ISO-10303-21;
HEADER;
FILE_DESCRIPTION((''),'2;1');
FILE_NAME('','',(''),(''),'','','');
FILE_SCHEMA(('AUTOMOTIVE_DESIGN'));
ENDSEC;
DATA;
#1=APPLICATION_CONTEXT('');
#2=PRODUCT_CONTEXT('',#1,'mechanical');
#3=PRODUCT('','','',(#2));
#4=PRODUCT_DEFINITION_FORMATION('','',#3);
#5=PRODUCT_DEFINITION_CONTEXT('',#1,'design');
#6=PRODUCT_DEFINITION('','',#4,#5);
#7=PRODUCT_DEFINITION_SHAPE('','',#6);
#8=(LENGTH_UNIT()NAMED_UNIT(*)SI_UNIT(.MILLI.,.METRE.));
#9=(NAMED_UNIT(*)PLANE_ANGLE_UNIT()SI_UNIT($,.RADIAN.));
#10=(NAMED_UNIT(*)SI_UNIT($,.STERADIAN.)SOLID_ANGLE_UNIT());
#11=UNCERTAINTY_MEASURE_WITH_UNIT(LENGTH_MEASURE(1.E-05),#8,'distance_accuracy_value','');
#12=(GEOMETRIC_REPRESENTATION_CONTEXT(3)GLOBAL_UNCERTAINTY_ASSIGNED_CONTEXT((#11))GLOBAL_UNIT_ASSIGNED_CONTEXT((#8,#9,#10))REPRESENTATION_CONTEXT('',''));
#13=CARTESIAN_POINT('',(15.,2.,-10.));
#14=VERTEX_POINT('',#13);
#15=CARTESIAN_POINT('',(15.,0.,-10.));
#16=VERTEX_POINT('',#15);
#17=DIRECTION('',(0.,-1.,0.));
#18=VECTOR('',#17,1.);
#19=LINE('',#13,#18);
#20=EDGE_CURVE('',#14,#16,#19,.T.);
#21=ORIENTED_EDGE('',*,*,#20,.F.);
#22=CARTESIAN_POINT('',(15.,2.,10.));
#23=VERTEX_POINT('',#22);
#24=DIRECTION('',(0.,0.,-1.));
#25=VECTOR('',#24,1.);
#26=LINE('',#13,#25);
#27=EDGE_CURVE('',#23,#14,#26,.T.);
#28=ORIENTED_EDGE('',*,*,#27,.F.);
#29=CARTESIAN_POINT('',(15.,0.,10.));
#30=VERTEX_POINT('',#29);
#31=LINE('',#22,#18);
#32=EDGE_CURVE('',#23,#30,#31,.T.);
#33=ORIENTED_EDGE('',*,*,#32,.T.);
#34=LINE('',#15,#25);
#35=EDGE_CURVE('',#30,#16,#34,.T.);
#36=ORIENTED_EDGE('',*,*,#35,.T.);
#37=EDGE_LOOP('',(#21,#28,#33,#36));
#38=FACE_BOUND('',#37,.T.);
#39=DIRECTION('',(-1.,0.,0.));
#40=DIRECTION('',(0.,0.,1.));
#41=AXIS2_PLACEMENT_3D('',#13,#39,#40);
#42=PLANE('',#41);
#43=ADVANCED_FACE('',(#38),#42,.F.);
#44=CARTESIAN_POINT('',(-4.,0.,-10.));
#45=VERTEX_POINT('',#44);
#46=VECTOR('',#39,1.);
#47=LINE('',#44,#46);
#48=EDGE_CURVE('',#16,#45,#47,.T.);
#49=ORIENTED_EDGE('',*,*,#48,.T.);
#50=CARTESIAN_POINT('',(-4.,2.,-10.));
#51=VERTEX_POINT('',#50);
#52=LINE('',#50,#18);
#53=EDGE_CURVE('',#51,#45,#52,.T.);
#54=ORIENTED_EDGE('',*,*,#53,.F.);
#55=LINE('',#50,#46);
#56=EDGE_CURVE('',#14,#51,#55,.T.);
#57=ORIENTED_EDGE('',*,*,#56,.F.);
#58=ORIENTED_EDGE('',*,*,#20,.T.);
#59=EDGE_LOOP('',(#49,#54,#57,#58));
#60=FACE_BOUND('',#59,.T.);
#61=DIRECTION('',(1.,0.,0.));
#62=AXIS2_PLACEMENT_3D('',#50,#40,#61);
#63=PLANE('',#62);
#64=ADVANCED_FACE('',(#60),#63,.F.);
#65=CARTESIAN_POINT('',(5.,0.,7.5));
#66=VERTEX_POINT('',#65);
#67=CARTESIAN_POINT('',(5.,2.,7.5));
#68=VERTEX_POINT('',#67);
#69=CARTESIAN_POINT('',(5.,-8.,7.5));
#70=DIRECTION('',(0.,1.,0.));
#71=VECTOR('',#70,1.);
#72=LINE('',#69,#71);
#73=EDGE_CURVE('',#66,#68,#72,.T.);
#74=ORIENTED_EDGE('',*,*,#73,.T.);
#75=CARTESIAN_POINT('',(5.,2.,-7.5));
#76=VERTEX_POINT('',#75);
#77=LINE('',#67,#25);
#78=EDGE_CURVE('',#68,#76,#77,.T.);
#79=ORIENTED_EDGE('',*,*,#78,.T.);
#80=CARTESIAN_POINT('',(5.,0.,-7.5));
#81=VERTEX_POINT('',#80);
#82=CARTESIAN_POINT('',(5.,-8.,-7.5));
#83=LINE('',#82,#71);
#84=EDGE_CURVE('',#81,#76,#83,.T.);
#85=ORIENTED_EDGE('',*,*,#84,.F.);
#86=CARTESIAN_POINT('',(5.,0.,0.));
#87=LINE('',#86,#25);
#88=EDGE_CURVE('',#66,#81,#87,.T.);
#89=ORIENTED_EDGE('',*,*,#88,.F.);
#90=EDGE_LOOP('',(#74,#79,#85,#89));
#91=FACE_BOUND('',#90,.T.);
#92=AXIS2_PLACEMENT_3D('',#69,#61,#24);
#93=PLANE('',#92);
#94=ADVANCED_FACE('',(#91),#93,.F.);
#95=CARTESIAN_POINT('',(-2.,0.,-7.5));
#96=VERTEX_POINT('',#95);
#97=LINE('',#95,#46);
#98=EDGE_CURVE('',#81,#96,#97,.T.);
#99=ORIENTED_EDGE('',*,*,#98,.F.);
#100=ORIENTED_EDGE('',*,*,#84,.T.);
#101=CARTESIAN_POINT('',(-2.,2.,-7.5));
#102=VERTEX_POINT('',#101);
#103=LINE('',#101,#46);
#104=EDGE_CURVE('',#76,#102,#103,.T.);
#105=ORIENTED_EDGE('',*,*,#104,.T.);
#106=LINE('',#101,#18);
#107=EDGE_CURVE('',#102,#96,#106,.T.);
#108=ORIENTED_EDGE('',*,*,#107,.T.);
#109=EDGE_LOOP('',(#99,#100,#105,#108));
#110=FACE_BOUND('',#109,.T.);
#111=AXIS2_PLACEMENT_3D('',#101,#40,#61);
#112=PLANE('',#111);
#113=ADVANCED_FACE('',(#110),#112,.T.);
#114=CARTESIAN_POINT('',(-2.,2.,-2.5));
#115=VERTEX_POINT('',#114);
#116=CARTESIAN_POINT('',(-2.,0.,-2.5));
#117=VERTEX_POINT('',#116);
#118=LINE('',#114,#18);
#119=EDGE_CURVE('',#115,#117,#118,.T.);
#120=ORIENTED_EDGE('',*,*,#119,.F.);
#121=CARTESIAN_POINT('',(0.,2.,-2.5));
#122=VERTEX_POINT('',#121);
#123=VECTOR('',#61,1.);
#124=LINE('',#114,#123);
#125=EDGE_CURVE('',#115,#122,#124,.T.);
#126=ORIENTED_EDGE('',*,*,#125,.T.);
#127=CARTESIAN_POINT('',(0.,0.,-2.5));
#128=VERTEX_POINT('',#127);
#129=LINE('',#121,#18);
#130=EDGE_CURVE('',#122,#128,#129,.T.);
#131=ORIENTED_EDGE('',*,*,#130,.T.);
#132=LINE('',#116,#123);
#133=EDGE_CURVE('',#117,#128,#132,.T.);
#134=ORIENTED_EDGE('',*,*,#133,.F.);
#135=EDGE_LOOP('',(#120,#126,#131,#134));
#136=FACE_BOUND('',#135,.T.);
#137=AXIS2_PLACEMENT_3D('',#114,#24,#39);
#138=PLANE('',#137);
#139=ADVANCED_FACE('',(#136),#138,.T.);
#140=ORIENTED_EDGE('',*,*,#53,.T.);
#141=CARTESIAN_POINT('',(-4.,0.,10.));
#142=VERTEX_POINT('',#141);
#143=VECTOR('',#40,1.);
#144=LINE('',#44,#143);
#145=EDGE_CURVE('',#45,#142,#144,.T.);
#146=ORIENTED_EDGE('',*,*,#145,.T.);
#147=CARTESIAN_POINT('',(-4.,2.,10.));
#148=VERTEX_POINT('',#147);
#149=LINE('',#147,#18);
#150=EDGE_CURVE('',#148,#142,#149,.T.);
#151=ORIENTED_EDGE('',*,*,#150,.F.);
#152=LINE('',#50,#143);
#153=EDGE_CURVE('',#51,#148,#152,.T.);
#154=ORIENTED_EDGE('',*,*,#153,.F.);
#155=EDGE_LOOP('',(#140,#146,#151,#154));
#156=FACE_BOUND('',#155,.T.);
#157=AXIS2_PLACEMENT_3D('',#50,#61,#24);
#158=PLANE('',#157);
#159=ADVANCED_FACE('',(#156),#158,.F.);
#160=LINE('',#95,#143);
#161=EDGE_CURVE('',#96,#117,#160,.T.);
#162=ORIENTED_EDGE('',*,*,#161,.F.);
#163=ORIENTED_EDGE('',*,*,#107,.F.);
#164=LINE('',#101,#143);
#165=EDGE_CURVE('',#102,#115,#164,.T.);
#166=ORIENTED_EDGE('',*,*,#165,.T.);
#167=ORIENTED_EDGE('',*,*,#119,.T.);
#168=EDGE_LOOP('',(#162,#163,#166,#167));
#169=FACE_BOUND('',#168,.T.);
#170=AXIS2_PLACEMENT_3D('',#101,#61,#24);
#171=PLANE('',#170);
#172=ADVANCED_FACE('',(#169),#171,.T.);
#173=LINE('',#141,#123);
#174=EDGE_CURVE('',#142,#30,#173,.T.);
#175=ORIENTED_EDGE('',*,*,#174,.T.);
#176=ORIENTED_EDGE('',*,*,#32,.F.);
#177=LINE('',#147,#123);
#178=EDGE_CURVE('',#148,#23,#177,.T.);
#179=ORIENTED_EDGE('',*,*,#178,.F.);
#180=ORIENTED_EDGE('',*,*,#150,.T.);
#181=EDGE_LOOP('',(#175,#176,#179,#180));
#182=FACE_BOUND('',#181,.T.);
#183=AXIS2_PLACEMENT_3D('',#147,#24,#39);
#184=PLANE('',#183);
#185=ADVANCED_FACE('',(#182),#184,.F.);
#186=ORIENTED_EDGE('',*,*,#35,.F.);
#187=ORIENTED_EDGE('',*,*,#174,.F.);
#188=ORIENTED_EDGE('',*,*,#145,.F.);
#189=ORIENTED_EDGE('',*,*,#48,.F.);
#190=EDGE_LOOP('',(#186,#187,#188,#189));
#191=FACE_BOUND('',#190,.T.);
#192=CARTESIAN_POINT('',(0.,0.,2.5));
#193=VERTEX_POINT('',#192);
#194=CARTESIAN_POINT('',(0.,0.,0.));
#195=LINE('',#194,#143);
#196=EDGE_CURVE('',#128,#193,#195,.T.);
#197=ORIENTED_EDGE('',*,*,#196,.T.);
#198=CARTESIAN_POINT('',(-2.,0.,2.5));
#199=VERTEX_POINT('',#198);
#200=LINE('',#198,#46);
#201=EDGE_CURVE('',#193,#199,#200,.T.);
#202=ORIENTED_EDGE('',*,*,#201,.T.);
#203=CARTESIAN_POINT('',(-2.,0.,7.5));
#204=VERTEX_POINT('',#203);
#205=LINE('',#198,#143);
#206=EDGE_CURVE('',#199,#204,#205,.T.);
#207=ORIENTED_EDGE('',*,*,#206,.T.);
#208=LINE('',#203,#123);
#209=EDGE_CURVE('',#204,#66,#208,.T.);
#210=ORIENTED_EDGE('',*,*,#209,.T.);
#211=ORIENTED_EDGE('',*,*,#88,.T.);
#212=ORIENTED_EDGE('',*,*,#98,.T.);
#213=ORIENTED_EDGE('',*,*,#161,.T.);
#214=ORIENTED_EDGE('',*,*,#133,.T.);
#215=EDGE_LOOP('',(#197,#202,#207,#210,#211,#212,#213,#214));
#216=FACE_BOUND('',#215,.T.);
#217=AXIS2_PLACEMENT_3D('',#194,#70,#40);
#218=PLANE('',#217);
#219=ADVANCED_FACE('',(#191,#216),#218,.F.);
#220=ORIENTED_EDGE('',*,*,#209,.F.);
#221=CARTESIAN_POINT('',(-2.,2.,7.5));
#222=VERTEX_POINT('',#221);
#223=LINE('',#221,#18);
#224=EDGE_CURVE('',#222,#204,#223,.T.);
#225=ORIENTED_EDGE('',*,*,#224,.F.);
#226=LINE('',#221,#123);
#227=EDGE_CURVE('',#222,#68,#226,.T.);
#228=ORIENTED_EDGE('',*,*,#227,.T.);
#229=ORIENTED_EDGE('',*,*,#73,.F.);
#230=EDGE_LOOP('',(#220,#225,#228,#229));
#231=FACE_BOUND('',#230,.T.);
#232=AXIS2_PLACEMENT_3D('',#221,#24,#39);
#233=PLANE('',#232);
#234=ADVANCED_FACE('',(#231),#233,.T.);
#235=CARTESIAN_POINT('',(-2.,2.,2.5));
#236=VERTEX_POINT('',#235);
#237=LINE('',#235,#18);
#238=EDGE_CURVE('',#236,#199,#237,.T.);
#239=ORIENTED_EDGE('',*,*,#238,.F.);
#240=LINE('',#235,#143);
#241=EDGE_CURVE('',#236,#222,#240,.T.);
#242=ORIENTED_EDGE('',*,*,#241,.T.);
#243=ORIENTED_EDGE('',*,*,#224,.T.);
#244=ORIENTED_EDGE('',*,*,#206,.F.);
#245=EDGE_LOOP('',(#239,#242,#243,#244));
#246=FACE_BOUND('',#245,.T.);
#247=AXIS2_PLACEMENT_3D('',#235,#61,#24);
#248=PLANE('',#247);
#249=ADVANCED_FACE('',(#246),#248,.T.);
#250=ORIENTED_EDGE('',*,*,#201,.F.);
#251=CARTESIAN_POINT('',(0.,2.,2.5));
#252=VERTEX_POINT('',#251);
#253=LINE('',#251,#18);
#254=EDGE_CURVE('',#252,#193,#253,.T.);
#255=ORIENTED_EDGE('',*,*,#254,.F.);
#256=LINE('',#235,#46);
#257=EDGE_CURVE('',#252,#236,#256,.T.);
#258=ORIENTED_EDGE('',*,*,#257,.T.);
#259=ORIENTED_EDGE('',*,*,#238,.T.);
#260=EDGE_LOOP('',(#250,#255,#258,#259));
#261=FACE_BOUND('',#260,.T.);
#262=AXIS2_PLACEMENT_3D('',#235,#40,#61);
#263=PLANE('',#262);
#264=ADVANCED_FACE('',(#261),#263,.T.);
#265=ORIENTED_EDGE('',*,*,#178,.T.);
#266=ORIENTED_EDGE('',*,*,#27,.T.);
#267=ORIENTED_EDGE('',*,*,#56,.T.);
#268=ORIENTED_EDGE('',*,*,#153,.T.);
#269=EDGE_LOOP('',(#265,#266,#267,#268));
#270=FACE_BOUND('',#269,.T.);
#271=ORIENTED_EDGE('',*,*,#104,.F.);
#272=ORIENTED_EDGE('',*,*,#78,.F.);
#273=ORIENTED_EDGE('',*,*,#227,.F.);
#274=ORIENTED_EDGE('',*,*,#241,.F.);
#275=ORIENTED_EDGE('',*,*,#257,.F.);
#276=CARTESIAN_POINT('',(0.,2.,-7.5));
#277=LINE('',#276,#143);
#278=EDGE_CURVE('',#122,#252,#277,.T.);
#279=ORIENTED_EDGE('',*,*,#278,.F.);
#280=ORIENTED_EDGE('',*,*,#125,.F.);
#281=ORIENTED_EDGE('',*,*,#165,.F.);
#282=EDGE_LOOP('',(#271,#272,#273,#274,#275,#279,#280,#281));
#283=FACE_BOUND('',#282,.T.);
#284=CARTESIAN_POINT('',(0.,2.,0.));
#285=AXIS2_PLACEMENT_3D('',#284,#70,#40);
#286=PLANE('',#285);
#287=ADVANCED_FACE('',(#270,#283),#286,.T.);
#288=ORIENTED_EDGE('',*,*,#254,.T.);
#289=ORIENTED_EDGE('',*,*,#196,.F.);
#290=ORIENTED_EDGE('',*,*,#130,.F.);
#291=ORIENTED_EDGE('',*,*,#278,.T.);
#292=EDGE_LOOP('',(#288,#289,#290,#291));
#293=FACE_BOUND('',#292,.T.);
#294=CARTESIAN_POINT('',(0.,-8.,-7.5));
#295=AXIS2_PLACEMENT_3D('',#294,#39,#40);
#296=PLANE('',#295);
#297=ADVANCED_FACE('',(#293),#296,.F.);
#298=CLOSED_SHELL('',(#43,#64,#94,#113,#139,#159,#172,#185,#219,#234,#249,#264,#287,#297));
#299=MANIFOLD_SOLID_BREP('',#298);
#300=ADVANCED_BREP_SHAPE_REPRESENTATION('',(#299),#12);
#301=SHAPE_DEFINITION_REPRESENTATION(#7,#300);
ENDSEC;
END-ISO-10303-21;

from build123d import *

# Parameters (mm, degrees)
SKETCH1_W           = 19
SKETCH1_H           = 20
SKETCH1_W_2         = 2
SKETCH1_H_2         = 5
BOSS_EXTRUDE1_DEPTH = 2
SKETCH2_W           = 5
SKETCH2_H           = 15
CUT_EXTRUDE1_DEPTH  = 10


with BuildPart() as part:
    # Sketch1 → Boss-Extrude1 (new body)
    with BuildSketch(Plane(origin=(0, 0, 0), x_dir=(1, 0, 0), z_dir=(0, 1, 0))):
        with Locations((5.5, 0)):
            Rectangle(SKETCH1_W, SKETCH1_H)
        with Locations((-1, 5)):
            Rectangle(SKETCH1_W_2, SKETCH1_H_2, mode=Mode.SUBTRACT)
        with Locations((-1, -5)):
            Rectangle(SKETCH1_W_2, SKETCH1_H_2, mode=Mode.SUBTRACT)
    extrude(amount=BOSS_EXTRUDE1_DEPTH)

    # Sketch2 → Cut-Extrude1 (cut)
    with BuildSketch(Plane(origin=(0, 2, 0), x_dir=(1, 0, 0), z_dir=(0, 1, 0))):
        with Locations((2.5, 0)):
            Rectangle(SKETCH2_W, SKETCH2_H)
    extrude(amount=-CUT_EXTRUDE1_DEPTH, mode=Mode.SUBTRACT)


solid = part.part
